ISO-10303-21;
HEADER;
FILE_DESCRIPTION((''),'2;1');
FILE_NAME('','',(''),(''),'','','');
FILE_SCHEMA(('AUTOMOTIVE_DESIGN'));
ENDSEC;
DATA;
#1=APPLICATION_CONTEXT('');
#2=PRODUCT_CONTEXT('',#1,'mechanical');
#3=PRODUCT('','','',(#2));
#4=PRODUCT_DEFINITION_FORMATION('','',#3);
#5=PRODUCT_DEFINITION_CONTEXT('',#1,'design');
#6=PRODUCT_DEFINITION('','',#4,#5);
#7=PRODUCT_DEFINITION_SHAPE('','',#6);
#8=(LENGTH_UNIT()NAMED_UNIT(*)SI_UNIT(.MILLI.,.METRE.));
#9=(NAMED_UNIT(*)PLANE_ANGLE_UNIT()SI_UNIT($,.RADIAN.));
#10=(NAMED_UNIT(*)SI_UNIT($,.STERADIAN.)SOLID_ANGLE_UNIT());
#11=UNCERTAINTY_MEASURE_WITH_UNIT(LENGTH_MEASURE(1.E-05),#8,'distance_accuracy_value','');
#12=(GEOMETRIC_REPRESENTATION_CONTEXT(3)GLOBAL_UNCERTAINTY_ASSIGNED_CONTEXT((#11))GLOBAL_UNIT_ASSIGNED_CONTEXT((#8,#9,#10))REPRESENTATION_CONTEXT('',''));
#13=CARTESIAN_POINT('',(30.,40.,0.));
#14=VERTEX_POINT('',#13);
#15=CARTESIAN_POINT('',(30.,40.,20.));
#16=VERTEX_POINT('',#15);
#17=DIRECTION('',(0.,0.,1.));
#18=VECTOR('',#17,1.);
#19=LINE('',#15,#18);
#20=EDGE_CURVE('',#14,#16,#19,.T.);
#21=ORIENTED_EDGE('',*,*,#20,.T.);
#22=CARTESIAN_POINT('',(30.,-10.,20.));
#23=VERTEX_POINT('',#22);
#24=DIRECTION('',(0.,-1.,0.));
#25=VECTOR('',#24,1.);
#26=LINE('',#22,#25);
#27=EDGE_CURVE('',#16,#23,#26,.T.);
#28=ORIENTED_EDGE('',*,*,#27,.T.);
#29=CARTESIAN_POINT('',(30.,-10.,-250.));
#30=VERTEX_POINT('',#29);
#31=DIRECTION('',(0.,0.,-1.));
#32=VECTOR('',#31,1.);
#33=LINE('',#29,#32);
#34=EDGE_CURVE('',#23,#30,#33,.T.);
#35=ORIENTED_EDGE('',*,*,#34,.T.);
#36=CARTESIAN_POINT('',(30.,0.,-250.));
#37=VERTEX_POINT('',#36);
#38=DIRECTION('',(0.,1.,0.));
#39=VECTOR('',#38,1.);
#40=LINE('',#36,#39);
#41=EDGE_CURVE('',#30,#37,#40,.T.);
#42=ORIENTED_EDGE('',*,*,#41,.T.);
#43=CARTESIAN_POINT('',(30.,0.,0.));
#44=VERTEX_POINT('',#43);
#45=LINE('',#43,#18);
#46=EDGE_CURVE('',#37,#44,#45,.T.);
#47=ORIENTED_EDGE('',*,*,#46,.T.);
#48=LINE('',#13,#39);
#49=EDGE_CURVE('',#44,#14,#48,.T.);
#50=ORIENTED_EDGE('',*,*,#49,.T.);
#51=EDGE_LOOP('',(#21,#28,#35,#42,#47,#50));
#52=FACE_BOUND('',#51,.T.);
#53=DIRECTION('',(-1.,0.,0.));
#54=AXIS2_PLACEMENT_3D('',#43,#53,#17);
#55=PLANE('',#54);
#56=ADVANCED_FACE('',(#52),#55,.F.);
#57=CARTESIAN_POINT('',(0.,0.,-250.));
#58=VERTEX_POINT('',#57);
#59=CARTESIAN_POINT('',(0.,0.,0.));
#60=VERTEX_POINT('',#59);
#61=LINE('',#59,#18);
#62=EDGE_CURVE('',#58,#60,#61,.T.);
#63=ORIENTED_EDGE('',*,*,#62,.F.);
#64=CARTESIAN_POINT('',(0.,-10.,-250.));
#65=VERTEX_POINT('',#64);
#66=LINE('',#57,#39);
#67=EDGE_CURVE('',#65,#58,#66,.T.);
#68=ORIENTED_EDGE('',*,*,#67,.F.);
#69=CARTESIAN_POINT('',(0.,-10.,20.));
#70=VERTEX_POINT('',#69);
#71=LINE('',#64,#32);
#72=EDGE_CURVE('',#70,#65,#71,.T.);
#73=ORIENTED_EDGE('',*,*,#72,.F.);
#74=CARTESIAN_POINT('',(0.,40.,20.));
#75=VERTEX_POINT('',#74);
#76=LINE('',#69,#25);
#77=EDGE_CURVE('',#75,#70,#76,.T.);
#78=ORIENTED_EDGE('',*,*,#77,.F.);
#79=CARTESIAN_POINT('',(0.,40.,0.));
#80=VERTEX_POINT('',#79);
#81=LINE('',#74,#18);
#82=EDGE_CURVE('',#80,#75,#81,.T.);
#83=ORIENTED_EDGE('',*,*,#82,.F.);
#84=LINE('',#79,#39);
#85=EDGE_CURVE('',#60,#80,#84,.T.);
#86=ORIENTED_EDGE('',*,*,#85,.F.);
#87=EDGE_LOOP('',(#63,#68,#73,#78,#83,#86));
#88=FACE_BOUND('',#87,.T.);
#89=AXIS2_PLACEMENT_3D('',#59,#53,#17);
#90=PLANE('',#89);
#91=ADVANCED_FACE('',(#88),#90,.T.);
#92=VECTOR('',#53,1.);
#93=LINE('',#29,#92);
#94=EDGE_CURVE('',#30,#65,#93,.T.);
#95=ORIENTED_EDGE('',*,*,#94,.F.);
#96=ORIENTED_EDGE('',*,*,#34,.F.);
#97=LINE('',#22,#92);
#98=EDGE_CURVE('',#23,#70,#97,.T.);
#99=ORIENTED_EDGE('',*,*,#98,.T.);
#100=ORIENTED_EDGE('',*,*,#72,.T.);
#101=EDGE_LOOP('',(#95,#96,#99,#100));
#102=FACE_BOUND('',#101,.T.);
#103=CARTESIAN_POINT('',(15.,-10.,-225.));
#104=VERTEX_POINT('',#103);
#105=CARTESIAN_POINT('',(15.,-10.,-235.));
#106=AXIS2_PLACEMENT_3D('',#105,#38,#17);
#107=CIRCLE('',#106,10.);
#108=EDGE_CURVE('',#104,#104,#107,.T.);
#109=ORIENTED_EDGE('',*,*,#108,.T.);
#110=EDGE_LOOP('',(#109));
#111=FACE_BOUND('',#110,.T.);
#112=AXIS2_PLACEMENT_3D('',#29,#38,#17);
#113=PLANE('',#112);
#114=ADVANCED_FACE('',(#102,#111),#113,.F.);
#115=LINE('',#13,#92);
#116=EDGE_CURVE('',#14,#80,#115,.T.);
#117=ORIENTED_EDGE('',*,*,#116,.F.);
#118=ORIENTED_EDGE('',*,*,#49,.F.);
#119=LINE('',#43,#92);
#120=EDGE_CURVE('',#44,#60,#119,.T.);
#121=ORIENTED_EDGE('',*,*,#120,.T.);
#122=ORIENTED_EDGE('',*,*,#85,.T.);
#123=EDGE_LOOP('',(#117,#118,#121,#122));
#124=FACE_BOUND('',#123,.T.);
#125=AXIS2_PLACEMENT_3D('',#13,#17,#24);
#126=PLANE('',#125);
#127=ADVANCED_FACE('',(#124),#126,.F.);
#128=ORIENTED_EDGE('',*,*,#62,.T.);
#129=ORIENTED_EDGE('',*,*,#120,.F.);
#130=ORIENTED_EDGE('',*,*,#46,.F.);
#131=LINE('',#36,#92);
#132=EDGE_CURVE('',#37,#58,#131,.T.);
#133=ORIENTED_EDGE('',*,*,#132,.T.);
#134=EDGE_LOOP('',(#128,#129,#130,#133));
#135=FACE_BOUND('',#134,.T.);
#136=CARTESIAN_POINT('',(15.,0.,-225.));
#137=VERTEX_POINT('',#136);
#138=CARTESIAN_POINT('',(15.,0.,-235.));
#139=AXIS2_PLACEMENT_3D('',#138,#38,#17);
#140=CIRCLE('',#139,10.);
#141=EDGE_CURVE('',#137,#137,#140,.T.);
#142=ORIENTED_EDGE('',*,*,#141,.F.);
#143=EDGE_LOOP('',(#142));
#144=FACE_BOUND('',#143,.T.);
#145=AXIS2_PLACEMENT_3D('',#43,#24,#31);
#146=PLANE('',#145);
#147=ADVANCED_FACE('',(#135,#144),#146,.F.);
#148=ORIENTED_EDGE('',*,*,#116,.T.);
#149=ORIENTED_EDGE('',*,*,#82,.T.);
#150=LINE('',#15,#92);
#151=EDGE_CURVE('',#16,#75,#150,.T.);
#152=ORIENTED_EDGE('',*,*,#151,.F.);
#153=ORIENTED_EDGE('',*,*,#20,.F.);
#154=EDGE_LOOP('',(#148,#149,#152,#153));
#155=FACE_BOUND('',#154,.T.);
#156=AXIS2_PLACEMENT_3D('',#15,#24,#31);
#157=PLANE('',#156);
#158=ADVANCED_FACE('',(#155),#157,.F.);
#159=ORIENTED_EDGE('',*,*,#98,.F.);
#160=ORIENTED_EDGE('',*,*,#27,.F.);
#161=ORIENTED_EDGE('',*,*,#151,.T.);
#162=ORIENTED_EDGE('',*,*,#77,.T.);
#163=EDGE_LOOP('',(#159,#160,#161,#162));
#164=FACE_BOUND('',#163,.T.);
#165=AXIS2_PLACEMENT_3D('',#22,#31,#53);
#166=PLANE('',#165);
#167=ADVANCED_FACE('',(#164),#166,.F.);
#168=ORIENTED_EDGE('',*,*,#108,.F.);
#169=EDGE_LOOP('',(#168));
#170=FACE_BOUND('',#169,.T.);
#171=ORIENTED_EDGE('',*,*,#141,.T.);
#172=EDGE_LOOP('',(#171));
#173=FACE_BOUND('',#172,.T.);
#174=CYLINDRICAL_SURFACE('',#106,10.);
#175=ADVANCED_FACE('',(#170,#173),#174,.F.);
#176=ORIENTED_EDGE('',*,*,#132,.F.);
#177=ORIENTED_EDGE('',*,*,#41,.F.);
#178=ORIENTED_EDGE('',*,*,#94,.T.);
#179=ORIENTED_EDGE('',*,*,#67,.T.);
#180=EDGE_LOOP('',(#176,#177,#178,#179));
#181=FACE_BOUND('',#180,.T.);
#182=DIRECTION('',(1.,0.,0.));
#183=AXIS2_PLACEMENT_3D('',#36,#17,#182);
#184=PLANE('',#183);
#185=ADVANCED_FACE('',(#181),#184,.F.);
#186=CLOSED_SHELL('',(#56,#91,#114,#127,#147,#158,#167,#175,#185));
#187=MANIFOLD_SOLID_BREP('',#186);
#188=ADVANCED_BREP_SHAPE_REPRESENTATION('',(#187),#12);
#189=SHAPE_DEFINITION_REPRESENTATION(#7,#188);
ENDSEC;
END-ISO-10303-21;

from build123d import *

# Parameters (mm, degrees)
BOSS_EXTRUDE1_DEPTH = 30
SKETCH2_R           = 10
CUT_EXTRUDE1_DEPTH  = 10


with BuildPart() as part:
    # Sketch1 → Boss-Extrude1 (new body)
    with BuildSketch(Plane(origin=(0, 0, 0), x_dir=(0, 0, -1), z_dir=(1, 0, 0))):
        Polygon((0, 40), (0, 0), (250, 0), (250, -10), (-20, -10), (-20, 40), align=None)
    extrude(amount=BOSS_EXTRUDE1_DEPTH)

    # Sketch2 → Cut-Extrude1 (cut)
    with BuildSketch(Plane(origin=(0, 0, 0), x_dir=(1, 0, 0), z_dir=(0, 1, 0))):
        with Locations(Location((15, 235, 0), (0, 0, 270))):
            Circle(SKETCH2_R)
    extrude(amount=-CUT_EXTRUDE1_DEPTH, mode=Mode.SUBTRACT)


solid = part.part
